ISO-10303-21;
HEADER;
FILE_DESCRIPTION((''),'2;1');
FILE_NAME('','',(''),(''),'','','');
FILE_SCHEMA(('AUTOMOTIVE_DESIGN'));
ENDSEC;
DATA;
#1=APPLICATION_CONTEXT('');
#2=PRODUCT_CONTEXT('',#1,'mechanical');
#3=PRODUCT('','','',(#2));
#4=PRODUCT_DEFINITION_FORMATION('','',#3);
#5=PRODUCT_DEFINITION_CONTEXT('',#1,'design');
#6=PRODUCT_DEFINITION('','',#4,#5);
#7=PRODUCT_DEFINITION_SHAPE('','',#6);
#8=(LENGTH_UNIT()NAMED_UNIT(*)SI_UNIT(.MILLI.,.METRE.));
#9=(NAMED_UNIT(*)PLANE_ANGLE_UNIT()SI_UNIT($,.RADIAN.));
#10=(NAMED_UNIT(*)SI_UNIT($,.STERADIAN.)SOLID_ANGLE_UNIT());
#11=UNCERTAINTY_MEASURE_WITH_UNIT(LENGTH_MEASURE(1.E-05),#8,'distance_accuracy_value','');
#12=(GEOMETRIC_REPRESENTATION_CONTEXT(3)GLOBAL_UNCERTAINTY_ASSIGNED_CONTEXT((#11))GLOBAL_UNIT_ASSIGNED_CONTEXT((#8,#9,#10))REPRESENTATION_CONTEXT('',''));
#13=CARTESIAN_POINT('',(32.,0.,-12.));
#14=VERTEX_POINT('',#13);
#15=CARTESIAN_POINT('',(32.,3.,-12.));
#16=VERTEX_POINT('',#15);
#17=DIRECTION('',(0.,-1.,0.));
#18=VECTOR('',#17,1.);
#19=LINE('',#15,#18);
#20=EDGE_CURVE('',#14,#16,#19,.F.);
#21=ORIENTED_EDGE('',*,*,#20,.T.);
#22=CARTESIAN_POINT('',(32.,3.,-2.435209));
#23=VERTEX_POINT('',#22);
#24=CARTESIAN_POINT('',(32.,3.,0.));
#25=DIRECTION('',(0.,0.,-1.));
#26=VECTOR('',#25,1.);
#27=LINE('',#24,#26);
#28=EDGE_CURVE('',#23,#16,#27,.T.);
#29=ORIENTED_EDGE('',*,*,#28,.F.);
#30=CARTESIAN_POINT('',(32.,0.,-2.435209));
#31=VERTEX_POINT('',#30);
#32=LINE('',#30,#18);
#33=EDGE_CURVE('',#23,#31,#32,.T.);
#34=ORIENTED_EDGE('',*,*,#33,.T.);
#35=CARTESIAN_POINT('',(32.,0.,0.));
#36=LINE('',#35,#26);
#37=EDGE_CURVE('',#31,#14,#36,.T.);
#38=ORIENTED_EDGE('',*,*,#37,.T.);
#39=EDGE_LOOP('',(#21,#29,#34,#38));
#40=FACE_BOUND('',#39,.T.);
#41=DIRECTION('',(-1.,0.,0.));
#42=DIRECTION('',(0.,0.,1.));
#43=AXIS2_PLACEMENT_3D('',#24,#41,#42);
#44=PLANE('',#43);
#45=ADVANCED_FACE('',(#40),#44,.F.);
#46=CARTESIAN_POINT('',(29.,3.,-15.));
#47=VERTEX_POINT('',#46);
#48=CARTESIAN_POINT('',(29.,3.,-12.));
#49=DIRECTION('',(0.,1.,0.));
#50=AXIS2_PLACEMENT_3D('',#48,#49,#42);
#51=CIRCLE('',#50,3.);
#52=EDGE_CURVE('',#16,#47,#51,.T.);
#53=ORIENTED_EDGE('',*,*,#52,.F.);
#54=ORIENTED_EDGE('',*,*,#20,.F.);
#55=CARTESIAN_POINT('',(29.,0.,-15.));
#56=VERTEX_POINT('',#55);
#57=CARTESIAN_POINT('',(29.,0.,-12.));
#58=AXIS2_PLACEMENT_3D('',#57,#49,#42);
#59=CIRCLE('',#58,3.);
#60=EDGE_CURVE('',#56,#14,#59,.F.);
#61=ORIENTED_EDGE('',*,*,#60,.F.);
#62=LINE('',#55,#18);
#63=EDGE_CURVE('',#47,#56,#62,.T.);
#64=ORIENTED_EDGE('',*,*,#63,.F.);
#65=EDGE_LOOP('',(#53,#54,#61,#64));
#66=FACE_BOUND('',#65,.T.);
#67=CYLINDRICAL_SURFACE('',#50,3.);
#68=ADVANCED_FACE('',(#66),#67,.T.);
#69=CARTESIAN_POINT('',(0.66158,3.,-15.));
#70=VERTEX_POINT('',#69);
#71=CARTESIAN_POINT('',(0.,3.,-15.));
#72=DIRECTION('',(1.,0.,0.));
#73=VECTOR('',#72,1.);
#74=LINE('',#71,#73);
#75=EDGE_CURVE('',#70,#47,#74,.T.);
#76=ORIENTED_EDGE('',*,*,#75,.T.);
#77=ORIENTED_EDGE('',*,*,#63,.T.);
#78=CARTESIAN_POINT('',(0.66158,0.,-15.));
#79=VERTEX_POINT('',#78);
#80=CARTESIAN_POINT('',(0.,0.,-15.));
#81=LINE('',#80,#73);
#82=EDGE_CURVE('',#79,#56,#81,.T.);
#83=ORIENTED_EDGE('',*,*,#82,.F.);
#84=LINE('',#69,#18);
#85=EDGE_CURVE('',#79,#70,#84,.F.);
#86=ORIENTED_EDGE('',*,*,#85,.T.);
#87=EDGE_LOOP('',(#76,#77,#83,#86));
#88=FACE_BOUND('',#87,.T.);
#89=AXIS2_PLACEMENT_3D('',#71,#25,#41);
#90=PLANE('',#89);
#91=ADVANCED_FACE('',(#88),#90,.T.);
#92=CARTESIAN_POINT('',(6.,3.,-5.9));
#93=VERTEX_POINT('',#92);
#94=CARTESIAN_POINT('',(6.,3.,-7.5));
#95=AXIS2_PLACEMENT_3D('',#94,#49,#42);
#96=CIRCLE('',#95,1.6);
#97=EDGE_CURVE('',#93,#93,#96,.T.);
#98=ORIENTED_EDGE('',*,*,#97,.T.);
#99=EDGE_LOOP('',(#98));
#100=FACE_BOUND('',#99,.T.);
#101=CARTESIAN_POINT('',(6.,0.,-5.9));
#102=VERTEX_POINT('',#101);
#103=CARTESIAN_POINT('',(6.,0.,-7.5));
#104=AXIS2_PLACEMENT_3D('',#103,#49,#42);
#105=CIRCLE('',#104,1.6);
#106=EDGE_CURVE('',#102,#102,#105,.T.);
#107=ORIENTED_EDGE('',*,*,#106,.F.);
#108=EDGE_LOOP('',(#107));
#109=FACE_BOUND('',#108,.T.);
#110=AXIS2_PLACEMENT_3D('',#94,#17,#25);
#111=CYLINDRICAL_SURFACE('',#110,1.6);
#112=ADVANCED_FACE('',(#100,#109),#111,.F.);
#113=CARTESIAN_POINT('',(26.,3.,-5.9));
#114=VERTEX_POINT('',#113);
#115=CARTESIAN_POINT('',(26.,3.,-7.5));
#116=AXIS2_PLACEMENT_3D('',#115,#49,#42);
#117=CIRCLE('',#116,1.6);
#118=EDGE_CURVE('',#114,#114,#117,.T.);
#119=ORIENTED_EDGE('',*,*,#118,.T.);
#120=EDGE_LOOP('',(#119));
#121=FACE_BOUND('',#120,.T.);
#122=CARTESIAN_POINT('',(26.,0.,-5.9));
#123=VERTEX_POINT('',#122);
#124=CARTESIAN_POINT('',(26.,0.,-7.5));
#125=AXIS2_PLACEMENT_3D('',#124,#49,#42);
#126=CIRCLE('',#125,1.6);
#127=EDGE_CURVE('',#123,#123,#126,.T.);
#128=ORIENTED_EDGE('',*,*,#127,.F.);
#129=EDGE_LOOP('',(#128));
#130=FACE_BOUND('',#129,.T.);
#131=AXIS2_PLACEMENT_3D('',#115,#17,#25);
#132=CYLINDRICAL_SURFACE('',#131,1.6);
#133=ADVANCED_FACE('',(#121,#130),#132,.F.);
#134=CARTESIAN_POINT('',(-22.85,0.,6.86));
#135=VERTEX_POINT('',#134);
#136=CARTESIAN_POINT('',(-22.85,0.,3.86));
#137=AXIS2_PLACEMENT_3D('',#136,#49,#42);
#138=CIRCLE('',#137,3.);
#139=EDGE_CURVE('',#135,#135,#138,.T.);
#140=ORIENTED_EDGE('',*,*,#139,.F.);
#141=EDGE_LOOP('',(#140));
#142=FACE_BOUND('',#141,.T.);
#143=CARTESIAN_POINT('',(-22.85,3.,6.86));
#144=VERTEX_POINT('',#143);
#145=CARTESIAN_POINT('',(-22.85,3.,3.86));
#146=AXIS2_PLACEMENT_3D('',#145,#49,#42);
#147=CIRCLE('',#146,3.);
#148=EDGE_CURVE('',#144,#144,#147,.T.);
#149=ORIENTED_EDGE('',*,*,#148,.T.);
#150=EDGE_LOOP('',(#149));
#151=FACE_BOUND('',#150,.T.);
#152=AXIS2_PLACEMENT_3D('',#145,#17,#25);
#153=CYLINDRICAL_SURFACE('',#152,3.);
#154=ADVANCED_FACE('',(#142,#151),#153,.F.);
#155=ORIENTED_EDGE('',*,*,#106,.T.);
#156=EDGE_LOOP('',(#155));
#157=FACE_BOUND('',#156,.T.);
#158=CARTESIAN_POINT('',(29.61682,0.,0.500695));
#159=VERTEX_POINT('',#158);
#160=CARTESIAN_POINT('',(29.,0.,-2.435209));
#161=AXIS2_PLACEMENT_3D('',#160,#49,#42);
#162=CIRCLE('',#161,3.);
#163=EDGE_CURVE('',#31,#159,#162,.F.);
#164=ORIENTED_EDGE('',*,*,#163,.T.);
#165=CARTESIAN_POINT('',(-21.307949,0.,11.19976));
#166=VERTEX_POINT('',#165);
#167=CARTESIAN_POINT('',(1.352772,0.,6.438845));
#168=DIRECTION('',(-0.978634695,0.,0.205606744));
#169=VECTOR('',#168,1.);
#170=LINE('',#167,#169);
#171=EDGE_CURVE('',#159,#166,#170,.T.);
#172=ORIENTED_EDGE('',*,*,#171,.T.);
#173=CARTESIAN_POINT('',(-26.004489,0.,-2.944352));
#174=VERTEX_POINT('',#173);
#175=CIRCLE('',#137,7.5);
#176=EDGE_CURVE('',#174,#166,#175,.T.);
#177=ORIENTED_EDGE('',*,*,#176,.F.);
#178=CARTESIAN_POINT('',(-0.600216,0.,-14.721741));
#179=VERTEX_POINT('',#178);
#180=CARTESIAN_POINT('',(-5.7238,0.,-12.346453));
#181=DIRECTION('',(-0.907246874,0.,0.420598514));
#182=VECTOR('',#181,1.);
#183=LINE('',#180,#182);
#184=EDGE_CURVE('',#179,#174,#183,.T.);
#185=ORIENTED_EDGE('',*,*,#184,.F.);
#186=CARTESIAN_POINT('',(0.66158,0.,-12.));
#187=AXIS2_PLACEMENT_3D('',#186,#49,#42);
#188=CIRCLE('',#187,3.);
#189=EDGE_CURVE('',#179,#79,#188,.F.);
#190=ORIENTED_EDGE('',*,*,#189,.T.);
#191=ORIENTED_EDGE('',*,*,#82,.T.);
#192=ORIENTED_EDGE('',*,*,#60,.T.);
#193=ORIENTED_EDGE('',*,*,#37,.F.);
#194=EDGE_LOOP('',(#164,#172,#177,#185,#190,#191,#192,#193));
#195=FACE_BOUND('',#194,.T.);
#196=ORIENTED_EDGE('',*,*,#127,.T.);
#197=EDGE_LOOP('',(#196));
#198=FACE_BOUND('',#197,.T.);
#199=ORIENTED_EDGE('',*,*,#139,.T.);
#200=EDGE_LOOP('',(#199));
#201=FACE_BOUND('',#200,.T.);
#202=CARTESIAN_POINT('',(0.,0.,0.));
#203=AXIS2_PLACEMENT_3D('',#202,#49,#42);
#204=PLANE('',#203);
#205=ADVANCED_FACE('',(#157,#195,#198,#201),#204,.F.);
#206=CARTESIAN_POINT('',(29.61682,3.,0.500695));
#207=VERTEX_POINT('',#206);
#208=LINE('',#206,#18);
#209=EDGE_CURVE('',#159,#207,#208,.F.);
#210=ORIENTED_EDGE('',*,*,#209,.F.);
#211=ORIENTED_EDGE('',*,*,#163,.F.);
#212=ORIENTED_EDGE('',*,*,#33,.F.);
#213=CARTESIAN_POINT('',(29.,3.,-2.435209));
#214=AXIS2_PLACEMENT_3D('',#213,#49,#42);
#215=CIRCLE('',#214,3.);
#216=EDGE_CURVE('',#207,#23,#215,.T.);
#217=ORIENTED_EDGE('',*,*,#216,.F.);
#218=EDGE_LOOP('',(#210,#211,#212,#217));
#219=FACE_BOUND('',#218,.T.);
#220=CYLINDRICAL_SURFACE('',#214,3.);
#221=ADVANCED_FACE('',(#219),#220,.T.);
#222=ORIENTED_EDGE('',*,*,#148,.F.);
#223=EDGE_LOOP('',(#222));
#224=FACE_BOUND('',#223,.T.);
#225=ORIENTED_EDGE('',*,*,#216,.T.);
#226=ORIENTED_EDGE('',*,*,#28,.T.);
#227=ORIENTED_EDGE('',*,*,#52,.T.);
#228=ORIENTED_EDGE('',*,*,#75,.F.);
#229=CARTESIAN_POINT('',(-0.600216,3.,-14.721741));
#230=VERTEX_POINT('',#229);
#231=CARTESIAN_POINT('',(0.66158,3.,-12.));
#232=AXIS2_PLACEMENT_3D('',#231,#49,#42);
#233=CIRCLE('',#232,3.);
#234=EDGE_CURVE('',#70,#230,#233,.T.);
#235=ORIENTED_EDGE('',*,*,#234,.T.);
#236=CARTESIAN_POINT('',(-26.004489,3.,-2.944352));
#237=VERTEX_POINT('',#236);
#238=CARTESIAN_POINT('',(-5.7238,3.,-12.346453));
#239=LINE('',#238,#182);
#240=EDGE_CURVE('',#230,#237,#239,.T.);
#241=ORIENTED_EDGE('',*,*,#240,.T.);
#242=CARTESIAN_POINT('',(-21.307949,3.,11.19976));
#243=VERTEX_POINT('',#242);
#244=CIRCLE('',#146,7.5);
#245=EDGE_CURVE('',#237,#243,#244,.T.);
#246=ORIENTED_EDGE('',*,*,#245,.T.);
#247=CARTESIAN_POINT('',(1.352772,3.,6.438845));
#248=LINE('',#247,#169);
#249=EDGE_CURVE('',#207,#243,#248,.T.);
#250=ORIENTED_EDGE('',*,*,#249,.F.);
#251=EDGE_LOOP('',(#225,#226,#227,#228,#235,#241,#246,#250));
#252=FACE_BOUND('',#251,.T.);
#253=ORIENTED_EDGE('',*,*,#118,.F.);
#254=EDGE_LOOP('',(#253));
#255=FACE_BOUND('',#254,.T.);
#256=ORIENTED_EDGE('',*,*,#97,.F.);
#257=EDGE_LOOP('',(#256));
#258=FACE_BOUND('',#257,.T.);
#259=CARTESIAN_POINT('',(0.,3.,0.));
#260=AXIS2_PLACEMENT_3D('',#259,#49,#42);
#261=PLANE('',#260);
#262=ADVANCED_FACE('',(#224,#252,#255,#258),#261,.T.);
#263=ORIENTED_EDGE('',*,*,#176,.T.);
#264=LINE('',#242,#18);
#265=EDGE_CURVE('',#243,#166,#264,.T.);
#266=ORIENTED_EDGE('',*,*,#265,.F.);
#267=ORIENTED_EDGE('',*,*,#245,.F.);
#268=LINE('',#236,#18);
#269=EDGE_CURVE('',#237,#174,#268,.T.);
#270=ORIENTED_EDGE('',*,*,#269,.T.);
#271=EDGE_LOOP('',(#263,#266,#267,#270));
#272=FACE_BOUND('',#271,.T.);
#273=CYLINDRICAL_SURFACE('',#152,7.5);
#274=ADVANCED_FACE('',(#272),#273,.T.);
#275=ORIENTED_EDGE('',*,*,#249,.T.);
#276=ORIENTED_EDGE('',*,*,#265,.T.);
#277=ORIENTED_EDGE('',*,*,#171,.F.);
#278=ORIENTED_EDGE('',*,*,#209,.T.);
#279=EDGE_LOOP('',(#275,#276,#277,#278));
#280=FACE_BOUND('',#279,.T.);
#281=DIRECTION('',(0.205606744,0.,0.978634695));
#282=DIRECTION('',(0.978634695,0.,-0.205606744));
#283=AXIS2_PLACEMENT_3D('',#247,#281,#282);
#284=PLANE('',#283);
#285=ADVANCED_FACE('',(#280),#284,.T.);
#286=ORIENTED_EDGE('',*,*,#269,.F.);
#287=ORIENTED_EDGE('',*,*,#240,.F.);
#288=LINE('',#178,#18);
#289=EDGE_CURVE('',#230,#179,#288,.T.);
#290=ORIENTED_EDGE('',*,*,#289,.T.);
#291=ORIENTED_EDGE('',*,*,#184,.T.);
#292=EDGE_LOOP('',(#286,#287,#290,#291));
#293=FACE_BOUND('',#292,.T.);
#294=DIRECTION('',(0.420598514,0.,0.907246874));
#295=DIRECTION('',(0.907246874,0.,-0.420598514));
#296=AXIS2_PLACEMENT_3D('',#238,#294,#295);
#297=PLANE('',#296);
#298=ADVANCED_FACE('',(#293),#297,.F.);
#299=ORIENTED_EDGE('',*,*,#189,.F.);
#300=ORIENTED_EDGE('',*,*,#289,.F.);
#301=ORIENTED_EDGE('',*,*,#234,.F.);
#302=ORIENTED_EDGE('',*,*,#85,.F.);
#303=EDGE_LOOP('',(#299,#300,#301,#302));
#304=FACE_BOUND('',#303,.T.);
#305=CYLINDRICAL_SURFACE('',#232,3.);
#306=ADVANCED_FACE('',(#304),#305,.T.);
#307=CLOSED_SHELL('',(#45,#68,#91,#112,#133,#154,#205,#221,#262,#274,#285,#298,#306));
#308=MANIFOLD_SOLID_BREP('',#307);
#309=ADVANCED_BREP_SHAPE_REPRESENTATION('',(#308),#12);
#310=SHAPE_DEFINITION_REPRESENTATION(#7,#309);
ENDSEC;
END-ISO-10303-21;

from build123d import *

# Parameters (mm, degrees)
SKETCH_1_R      = 7.5
SKETCH_1_R_2    = 3
SKETCH_1_W      = 32
SKETCH_1_H      = 15
SKETCH_1_R_3    = 1.6
EXTRUDE_1_DEPTH = 3
FILLET_1_R      = 3


with BuildPart() as part:
    # 草图1 → 凸台-拉伸1 (new body)
    # profile 1 of 3: a face of its own
    with BuildSketch(Plane(origin=(0, 0, 0), x_dir=(1, 0, 0), z_dir=(0, 1, 0))):
        with Locations((-22.85, -3.86)):
            Circle(SKETCH_1_R)
        with Locations(Location((-22.85, -3.86, 0), (0, 0, 270))):
            Circle(SKETCH_1_R_2, mode=Mode.SUBTRACT)
    # profile 2 of 3: a face of its own
    with BuildSketch(Plane(origin=(0, 0, 0), x_dir=(1, 0, 0), z_dir=(0, 1, 0))):
        with BuildLine():
            Line((0, 0), (0, 15))
            Line((0, 15), (-26.004488854, 2.944351554))
            ThreePointArc((-26.004488854, 2.944351554), (-18.813210831, 2.460944012), (-15.35, -3.86))
            ThreePointArc((-15.35, -3.86), (-17.02696903, -8.586765312), (-21.307949418, -11.199760214))
            Line((-21.307949418, -11.199760214), (32, 0))
            Line((32, 0), (0, 0))
        make_face()
    # profile 3 of 3: a face of its own
    with BuildSketch(Plane(origin=(0, 0, 0), x_dir=(1, 0, 0), z_dir=(0, 1, 0))):
        with Locations((16, 7.5)):
            Rectangle(SKETCH_1_W, SKETCH_1_H)
        with Locations(Location((26, 7.5, 0), (0, 0, 270))):
            Circle(SKETCH_1_R_3, mode=Mode.SUBTRACT)
        with Locations(Location((6, 7.5, 0), (0, 0, 270))):
            Circle(SKETCH_1_R_3, mode=Mode.SUBTRACT)
    extrude(amount=EXTRUDE_1_DEPTH)

    # 圆角1
    fillet_1_edges = [part.edges().sort_by_distance(p)[0] for p in [
        (0, 1.5, -15),
        (32, 1.5, -15),
        (32, 1.5, 0),
    ]]
    fillet(fillet_1_edges, radius=FILLET_1_R)


solid = part.part
